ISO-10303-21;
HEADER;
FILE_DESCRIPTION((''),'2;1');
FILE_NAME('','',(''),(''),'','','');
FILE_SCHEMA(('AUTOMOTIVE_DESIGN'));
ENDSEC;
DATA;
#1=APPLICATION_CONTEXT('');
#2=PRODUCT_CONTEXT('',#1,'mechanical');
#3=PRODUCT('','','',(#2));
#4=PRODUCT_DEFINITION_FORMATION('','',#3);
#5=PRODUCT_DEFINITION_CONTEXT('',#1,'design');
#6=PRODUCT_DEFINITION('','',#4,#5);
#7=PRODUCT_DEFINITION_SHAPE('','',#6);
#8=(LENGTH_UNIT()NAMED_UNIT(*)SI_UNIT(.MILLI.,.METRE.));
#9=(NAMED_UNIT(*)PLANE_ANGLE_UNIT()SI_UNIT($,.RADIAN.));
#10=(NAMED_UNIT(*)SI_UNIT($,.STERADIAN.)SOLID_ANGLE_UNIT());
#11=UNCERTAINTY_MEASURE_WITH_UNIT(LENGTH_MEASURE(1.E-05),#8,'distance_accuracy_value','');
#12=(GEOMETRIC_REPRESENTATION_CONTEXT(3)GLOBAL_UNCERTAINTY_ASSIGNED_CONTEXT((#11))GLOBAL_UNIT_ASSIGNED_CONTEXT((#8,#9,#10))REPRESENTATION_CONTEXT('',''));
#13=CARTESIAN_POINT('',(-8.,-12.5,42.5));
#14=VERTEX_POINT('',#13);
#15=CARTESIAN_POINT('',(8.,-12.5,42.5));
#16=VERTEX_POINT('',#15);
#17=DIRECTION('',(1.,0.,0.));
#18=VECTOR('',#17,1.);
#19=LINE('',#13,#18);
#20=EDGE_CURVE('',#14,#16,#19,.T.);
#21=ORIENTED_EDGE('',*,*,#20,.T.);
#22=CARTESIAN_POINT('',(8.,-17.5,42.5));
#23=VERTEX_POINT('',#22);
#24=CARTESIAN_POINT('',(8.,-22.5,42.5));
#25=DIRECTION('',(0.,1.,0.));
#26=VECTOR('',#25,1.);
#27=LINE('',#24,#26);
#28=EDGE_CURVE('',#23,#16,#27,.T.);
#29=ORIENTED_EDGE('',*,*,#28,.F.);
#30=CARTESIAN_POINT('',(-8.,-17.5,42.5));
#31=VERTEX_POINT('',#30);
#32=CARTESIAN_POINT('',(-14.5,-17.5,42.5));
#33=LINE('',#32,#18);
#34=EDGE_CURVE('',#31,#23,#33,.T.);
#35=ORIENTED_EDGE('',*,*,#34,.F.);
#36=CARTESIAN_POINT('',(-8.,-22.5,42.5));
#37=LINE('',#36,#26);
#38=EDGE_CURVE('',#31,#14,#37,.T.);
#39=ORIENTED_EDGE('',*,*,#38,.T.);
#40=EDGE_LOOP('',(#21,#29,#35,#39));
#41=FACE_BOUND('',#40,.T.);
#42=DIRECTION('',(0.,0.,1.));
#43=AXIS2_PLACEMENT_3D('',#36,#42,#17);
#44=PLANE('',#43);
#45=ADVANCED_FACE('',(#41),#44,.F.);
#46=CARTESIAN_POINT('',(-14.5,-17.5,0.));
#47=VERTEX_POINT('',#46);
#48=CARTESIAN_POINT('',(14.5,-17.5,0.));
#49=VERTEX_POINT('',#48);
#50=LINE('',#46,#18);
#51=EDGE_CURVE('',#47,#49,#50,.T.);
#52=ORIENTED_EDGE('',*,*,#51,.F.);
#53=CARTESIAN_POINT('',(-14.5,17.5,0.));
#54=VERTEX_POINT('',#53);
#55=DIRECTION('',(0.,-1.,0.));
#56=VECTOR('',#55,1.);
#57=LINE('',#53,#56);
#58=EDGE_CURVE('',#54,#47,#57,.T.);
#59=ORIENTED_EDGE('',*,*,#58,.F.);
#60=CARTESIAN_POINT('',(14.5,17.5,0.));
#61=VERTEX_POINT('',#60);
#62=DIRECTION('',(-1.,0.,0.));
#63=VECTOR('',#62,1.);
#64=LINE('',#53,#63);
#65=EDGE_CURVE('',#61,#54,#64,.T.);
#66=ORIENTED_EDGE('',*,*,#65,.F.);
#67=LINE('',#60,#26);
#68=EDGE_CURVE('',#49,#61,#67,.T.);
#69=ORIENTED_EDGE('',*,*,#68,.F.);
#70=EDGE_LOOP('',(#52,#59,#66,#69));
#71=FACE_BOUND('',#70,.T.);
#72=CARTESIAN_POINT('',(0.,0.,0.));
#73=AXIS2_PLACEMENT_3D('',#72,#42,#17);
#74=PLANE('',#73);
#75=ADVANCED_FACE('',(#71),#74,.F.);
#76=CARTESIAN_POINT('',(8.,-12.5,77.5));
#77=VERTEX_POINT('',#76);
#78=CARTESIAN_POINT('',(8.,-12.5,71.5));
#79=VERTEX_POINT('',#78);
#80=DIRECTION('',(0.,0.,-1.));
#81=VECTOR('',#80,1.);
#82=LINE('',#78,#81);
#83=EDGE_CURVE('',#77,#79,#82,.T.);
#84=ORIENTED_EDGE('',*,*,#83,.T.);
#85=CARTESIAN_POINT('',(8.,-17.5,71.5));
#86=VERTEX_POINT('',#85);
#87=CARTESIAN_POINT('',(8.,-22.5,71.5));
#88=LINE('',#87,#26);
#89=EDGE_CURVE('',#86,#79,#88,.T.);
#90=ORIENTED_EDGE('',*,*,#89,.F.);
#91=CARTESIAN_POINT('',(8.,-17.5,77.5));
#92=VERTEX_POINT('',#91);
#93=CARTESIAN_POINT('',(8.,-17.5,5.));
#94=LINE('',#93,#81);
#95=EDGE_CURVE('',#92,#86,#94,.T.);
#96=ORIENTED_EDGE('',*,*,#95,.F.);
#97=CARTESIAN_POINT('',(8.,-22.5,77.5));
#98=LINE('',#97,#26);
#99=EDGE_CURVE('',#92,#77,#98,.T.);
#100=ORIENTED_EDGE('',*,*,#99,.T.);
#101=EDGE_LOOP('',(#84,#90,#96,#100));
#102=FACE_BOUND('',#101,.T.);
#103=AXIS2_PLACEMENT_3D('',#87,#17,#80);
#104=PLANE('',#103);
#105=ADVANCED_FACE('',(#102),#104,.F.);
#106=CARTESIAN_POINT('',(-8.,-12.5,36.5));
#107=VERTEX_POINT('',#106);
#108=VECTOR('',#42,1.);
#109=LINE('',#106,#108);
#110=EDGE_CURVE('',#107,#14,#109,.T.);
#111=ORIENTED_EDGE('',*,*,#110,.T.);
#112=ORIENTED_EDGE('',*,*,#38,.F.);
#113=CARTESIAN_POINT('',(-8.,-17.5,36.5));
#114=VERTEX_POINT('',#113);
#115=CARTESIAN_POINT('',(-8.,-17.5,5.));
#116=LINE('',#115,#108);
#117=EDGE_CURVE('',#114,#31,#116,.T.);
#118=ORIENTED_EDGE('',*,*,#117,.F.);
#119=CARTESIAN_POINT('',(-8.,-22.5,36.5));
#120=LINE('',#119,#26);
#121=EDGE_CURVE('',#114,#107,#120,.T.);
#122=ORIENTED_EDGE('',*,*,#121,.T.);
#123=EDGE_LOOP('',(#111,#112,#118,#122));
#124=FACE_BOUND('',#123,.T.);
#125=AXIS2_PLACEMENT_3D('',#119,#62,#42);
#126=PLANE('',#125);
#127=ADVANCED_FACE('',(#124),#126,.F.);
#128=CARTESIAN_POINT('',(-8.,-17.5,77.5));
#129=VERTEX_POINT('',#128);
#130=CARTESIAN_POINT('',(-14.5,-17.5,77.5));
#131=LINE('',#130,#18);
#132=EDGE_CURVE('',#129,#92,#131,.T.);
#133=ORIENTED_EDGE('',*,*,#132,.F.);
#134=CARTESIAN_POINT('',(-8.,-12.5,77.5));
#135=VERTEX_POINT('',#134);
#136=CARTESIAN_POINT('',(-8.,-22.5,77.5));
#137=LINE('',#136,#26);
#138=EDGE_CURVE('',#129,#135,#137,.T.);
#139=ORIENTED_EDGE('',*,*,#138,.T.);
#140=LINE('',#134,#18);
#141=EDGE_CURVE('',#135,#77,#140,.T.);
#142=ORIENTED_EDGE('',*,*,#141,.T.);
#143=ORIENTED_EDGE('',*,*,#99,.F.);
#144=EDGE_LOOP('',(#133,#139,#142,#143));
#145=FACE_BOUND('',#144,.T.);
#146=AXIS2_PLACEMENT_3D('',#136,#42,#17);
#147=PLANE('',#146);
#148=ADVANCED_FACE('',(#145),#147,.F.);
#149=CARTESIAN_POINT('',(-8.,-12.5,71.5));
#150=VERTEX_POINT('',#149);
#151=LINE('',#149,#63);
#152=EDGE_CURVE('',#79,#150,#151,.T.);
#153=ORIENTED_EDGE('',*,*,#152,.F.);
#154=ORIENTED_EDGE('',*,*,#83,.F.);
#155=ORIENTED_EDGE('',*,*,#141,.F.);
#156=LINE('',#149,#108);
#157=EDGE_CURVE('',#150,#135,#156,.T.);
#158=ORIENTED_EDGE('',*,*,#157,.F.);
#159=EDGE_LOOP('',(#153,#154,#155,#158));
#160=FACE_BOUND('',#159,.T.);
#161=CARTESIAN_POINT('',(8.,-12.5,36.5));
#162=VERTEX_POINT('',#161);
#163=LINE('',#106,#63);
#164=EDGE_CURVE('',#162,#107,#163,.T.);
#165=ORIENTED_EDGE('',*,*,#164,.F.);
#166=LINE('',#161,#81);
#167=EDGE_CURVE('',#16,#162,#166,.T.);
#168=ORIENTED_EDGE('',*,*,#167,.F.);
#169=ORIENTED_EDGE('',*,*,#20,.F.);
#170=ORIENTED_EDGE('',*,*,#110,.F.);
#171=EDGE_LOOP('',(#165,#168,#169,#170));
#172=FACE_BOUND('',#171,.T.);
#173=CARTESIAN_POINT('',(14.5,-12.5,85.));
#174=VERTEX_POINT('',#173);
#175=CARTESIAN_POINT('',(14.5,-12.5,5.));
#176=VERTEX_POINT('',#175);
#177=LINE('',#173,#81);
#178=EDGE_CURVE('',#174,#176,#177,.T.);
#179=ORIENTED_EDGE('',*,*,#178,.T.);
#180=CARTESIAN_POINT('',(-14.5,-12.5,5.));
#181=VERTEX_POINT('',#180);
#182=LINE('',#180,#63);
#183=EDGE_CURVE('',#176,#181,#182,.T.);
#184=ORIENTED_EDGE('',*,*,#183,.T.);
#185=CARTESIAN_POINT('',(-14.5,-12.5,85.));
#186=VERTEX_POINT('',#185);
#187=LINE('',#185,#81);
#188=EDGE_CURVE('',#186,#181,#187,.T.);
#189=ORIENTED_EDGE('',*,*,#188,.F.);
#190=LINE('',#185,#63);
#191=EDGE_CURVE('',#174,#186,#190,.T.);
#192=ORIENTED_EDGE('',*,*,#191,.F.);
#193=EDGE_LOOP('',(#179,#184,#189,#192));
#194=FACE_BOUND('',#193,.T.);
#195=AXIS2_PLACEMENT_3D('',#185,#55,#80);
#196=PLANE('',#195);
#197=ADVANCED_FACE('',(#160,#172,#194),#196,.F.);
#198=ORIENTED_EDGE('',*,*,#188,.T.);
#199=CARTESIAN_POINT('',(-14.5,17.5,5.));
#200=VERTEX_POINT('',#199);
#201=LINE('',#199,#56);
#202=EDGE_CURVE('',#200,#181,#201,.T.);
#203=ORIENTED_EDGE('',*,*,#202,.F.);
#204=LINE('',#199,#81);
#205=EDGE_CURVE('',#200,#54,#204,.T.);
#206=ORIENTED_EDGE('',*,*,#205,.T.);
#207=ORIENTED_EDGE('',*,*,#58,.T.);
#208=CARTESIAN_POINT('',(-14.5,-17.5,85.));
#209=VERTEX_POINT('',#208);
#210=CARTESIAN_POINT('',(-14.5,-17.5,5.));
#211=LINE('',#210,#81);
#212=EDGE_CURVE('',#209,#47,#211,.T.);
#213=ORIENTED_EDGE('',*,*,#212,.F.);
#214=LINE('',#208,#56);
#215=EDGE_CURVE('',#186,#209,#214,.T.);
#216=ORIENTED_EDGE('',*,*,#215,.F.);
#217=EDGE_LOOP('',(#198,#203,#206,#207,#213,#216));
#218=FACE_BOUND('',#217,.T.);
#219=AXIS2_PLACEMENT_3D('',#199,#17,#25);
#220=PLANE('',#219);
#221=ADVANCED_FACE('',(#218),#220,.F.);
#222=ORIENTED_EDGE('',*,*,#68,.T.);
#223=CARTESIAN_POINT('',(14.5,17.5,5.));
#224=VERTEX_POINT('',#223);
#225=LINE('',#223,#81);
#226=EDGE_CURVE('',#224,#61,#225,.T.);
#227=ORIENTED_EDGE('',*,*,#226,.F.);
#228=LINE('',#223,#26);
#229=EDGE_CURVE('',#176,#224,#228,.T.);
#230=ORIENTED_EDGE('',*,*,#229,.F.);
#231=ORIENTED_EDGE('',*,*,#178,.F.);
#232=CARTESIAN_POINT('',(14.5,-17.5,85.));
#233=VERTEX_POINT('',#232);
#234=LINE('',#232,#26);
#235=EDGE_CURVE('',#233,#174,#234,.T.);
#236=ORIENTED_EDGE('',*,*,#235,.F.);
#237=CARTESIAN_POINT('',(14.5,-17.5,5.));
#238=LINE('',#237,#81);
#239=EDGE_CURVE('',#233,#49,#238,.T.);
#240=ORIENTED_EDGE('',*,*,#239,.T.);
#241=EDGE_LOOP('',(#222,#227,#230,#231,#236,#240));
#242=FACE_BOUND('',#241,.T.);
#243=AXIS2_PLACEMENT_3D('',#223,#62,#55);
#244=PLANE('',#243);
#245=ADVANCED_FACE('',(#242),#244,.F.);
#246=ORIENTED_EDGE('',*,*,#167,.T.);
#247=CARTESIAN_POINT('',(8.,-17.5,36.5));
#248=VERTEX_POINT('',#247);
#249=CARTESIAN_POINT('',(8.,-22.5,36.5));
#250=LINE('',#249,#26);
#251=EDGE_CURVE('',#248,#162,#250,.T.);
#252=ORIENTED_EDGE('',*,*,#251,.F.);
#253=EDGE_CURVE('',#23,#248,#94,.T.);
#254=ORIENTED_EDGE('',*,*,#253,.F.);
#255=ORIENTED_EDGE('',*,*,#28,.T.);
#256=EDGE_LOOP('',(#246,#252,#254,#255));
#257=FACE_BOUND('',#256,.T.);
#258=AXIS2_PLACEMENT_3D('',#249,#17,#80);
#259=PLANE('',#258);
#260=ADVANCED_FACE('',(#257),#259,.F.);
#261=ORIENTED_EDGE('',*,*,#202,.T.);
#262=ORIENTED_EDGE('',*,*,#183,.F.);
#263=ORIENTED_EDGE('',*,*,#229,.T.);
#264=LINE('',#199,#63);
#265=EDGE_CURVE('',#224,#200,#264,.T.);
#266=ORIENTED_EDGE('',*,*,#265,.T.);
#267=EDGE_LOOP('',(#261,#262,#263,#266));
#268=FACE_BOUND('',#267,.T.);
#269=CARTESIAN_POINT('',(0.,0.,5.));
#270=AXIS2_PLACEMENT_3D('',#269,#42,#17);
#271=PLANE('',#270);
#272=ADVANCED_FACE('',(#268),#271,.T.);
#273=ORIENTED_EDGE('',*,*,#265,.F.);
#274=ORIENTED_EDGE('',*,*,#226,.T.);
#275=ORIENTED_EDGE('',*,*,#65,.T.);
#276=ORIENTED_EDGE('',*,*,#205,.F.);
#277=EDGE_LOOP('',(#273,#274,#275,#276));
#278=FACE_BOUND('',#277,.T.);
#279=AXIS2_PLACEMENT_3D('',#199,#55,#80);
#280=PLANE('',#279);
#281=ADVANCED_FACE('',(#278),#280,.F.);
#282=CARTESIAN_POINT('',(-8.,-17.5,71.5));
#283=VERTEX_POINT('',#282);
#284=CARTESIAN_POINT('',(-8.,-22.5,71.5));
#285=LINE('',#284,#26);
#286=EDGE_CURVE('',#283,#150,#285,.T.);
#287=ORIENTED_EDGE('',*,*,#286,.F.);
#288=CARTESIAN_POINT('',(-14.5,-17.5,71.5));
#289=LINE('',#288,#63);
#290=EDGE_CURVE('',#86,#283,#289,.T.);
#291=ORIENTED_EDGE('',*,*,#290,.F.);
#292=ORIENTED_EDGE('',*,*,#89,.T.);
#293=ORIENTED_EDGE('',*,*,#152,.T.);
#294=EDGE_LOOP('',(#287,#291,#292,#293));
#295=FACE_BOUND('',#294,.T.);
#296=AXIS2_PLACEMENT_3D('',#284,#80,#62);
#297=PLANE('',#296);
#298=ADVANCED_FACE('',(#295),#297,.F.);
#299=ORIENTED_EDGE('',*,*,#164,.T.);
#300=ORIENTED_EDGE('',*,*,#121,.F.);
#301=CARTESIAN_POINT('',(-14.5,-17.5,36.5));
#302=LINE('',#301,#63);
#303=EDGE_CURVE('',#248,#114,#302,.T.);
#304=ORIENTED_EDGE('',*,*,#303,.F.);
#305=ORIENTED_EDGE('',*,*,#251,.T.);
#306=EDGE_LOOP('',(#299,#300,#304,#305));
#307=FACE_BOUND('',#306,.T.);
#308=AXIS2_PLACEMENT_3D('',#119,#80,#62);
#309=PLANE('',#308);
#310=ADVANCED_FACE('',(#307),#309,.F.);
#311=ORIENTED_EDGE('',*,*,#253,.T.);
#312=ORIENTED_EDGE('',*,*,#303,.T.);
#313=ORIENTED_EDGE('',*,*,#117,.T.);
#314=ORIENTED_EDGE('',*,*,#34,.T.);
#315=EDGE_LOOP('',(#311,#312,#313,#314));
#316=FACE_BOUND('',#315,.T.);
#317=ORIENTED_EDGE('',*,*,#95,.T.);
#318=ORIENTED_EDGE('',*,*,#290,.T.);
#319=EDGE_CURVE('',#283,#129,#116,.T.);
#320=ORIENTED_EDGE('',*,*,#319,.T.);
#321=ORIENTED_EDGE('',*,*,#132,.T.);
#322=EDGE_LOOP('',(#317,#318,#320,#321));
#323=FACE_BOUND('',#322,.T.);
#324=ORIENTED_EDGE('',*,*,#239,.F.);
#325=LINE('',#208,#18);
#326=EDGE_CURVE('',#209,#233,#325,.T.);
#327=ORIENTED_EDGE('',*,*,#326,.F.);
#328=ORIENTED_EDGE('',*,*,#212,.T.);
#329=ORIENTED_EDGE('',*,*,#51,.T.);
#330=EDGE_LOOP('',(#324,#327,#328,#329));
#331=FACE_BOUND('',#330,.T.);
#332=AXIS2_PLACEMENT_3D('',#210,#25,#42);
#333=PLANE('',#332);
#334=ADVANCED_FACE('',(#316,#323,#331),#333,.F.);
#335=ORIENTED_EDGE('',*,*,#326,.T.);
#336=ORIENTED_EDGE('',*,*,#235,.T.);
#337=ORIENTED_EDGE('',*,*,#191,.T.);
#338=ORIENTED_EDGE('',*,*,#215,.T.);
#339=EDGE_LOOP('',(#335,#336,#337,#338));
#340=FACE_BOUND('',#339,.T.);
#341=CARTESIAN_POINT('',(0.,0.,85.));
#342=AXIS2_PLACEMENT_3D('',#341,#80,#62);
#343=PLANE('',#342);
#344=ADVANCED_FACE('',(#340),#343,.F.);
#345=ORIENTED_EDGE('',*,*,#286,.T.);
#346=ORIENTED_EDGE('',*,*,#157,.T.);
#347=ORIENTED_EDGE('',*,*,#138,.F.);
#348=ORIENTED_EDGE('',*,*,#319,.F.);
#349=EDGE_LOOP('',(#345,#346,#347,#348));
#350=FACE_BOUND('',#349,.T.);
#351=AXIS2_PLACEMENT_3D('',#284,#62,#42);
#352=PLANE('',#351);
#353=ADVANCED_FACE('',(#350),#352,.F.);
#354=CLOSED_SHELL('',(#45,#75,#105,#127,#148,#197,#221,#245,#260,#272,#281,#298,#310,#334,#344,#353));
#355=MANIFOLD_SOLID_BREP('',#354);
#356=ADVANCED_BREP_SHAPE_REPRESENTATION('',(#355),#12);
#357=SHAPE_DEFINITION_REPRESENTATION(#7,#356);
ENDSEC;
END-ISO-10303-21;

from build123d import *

# Parameters (mm, degrees)
SCHIZZO1_W                   = 29
SCHIZZO1_H                   = 35
ESTRUSIONE_ESTRUSIONE1_DEPTH = 5
SCHIZZO2_W                   = 29
SCHIZZO2_H                   = 5
ESTRUSIONE_ESTRUSIONE2_DEPTH = 80
SCHIZZO4_W                   = 16
SCHIZZO4_H                   = 6
TAGLIO_ESTRUSIONE2_DEPTH     = 10


with BuildPart() as part:
    # Schizzo1 → Estrusione-Estrusione1 (new body)
    with BuildSketch(Plane.XY):
        Rectangle(SCHIZZO1_W, SCHIZZO1_H)
    extrude(amount=ESTRUSIONE_ESTRUSIONE1_DEPTH)

    # Schizzo2 → Estrusione-Estrusione2 (add)
    with BuildSketch(Plane.XY.offset(5)):
        with Locations((0, -15)):
            Rectangle(SCHIZZO2_W, SCHIZZO2_H)
    extrude(amount=ESTRUSIONE_ESTRUSIONE2_DEPTH)

    # Schizzo4 → Taglio-Estrusione2 (cut)
    with BuildSketch(Plane(origin=(0, -12.5, 0), x_dir=(1, 0, 0), z_dir=(0, 1, 0))):
        with Locations((0, -39.5)):
            Rectangle(SCHIZZO4_W, SCHIZZO4_H)
        with Locations((0, -74.5)):
            Rectangle(SCHIZZO4_W, SCHIZZO4_H)
    extrude(amount=-TAGLIO_ESTRUSIONE2_DEPTH, mode=Mode.SUBTRACT)


solid = part.part
